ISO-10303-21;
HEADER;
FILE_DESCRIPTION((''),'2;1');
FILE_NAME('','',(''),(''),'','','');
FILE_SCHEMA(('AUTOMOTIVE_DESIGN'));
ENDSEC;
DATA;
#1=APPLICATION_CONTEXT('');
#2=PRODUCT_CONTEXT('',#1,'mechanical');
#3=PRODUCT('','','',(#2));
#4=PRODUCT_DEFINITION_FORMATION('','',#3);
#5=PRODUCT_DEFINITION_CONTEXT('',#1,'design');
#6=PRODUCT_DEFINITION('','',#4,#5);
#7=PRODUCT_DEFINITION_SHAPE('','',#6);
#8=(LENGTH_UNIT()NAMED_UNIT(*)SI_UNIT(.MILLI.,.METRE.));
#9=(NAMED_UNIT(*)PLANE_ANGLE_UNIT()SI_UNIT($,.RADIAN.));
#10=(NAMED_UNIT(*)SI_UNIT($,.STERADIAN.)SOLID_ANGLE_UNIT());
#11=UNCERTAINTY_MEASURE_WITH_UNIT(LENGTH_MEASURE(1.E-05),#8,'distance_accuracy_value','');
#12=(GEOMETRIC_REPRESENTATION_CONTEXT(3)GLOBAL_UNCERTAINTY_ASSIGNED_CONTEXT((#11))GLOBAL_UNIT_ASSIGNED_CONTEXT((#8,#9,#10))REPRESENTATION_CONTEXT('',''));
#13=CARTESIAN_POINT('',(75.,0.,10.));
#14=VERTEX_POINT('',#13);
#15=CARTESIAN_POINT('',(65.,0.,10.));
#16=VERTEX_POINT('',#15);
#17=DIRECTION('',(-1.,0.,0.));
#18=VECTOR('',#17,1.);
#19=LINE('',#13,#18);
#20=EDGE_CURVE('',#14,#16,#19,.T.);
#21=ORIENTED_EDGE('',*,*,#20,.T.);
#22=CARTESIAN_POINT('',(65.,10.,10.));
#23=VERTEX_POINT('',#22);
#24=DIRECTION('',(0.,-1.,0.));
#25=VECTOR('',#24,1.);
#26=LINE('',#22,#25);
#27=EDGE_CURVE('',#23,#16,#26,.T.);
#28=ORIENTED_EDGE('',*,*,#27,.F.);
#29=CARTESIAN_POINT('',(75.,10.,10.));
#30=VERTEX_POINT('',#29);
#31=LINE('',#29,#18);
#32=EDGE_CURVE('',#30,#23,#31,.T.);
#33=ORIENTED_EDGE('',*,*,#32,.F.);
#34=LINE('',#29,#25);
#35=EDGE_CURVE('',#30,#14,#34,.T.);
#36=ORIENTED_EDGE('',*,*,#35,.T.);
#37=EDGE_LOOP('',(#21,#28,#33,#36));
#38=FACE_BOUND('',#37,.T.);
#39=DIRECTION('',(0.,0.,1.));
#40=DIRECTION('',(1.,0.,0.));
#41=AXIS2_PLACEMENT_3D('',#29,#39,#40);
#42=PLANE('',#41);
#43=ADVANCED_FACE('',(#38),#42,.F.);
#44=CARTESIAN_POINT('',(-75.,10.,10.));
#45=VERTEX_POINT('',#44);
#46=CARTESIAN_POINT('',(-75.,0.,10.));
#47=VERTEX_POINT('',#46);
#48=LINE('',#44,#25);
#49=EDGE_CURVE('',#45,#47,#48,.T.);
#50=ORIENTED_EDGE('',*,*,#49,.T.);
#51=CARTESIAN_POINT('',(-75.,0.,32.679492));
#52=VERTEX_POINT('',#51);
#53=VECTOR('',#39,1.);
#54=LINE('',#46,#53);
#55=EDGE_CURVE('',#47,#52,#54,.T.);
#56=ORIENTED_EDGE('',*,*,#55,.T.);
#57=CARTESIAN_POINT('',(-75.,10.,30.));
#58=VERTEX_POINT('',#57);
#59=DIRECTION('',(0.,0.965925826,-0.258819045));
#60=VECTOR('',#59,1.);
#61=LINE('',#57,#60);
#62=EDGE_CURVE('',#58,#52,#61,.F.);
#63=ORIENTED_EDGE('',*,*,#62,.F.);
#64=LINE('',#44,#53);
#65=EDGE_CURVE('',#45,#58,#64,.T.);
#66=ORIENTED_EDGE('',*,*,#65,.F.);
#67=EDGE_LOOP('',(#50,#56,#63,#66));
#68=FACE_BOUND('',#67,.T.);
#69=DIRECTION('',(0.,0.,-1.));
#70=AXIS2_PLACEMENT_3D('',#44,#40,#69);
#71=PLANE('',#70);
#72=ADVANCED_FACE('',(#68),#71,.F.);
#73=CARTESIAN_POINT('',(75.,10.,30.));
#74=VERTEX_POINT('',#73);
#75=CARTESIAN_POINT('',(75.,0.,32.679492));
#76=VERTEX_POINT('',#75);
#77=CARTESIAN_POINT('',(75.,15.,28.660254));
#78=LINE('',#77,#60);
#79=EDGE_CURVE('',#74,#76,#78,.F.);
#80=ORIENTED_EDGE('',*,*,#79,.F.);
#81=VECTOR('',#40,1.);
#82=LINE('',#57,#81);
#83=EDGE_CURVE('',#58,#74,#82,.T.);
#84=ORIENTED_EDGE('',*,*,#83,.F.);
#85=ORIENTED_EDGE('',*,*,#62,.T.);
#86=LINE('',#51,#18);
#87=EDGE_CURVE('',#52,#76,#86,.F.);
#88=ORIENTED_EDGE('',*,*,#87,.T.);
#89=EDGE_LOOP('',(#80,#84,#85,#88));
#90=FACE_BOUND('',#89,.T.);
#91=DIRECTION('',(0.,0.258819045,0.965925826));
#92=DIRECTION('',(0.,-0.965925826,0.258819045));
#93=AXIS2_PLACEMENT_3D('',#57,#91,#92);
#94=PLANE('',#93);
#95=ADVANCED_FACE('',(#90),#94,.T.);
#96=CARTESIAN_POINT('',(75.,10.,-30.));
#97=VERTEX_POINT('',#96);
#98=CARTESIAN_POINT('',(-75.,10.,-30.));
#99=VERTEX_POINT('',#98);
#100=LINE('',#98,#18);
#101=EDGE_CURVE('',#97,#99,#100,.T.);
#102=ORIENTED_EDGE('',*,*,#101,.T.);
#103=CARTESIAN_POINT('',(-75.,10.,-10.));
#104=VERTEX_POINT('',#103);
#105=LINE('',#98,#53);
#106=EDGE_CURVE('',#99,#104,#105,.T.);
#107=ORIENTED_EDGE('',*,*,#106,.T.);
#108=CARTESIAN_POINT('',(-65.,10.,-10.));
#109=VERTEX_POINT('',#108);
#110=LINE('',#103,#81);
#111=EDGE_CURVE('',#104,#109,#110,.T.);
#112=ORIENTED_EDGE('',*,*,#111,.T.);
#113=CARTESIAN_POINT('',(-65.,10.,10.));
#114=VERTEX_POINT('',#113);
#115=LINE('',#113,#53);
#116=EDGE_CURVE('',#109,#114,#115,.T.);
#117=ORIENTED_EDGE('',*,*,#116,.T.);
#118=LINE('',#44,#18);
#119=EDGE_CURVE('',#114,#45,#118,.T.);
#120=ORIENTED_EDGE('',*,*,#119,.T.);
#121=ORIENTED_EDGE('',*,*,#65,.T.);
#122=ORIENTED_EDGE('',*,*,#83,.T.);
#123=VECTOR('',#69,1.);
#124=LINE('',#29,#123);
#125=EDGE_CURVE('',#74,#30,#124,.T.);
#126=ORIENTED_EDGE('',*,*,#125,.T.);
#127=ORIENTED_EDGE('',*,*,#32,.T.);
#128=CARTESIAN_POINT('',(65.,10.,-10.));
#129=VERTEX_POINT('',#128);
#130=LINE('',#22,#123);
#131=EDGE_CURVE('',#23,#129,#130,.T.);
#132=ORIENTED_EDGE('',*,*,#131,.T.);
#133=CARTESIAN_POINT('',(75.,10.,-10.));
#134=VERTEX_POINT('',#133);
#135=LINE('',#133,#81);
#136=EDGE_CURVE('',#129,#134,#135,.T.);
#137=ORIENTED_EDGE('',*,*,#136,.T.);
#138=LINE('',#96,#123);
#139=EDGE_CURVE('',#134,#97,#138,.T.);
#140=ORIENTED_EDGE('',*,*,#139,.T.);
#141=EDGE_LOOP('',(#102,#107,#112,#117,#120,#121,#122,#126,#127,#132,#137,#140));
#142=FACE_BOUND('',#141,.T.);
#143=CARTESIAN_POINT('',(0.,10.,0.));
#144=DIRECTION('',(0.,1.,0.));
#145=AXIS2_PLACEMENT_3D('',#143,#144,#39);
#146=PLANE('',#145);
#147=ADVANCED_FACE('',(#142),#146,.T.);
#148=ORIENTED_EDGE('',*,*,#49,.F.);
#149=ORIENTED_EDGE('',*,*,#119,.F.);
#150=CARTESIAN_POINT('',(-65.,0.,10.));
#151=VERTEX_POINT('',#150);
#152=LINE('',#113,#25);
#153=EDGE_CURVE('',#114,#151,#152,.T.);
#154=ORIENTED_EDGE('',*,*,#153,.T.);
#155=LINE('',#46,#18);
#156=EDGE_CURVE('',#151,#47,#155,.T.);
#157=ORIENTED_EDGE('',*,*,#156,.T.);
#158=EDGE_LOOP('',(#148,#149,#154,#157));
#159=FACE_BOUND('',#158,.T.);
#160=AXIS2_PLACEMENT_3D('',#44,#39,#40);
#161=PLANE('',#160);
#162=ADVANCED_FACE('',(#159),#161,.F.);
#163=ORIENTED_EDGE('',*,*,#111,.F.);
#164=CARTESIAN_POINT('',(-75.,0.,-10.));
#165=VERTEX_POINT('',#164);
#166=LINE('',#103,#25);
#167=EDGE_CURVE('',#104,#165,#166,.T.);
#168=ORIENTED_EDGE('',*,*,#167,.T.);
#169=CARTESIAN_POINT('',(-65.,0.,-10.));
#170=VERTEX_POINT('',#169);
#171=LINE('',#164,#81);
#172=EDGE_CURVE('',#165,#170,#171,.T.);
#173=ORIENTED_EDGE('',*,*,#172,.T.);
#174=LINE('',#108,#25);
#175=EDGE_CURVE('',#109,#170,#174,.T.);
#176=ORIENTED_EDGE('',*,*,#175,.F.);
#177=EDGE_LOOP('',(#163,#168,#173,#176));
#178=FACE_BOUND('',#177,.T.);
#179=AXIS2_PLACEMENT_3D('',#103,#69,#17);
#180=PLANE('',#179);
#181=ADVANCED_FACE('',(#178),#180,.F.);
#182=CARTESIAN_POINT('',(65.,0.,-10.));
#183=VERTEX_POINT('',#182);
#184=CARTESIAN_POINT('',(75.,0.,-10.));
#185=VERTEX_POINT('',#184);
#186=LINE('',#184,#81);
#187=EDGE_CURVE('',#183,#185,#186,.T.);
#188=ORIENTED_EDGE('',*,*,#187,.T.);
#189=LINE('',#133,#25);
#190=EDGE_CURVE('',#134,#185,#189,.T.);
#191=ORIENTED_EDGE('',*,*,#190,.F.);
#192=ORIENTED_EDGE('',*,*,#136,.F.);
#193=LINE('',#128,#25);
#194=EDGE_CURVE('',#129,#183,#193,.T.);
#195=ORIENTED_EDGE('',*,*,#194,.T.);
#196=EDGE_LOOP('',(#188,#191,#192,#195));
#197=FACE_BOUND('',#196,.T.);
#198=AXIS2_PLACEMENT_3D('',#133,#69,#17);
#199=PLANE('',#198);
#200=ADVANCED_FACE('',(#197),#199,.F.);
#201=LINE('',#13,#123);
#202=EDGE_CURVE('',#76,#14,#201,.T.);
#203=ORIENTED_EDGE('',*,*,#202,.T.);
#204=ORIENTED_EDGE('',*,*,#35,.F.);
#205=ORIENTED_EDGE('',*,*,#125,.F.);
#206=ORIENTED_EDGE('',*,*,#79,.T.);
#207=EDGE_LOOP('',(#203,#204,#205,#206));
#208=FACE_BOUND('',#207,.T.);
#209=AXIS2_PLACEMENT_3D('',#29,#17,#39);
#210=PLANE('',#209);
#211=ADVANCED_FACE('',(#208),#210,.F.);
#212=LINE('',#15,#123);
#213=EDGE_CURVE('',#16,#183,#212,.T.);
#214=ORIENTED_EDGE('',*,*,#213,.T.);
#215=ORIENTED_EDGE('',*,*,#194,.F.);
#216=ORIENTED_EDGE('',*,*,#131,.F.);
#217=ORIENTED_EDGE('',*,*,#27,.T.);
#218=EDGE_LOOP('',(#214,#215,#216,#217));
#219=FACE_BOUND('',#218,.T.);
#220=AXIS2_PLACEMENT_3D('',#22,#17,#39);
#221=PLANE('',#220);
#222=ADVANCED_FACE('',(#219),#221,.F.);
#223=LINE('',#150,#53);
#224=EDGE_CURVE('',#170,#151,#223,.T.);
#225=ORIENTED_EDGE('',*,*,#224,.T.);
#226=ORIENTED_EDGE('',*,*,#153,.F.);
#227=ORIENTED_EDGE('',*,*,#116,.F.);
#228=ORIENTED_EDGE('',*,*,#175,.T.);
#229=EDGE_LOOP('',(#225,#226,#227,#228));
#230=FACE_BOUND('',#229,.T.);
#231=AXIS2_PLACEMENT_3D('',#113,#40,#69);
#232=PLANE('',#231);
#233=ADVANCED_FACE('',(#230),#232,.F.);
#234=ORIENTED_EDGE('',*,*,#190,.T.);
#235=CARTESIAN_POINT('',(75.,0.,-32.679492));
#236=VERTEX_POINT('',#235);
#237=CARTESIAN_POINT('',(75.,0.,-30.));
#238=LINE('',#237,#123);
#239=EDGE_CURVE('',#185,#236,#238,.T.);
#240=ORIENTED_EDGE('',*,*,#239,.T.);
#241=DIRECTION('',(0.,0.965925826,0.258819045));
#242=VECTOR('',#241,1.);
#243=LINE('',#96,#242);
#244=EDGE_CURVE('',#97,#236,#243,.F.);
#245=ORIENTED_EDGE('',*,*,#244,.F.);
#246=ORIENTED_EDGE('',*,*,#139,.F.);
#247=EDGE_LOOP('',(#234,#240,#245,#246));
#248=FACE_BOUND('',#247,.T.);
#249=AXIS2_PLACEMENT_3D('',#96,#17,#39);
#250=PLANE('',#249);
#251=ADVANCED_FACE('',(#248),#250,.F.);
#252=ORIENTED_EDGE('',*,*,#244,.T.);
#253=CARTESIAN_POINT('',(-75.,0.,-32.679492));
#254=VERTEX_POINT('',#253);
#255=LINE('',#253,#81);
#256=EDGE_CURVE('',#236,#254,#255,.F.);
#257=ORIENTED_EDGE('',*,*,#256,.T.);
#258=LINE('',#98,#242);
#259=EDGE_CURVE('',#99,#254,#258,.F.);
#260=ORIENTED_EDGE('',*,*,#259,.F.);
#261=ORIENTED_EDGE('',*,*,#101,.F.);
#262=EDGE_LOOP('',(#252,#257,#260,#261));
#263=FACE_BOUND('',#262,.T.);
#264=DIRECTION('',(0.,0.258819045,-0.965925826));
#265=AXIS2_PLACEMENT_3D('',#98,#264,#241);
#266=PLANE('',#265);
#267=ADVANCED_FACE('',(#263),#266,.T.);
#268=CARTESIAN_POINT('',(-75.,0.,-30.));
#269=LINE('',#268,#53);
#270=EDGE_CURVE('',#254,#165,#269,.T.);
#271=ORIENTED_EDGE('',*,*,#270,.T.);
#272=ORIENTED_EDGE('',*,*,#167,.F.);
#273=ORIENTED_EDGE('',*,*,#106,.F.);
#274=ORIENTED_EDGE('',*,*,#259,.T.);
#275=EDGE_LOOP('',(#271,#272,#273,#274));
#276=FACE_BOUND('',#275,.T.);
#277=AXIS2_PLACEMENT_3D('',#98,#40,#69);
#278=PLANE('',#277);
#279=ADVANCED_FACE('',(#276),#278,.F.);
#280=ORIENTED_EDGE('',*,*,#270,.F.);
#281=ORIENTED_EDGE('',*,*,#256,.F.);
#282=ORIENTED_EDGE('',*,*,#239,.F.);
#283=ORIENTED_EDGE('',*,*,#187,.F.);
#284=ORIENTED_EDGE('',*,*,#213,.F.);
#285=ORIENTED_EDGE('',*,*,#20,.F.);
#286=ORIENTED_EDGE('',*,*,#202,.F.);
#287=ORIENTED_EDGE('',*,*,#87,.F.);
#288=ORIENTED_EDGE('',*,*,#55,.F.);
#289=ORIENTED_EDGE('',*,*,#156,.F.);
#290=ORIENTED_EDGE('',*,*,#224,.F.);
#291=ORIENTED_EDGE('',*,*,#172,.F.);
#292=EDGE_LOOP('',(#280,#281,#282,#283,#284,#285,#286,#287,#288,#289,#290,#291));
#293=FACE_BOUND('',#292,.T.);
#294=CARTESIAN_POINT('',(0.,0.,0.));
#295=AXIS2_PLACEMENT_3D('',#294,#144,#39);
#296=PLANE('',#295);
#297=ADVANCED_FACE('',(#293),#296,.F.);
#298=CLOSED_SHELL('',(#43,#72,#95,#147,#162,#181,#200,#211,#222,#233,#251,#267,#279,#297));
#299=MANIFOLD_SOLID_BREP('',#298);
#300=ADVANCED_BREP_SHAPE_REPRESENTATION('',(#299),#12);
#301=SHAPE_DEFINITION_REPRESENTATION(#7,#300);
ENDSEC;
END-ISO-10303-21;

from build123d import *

# Parameters (mm, degrees)
BOSS_EXTRUDE1_DEPTH = 10
DRAFT1_ANGLE        = 15


with BuildPart() as part:
    # Sketch1 → Boss-Extrude1 (new body)
    with BuildSketch(Plane(origin=(0, 0, 0), x_dir=(1, 0, 0), z_dir=(0, 1, 0))):
        Polygon((-75, 30), (75, 30), (75, 10), (65, 10), (65, -10), (75, -10), (75, -30), (-75, -30), (-75, -10), (-65, -10), (-65, 10), (-75, 10), align=None)
    extrude(amount=BOSS_EXTRUDE1_DEPTH)

    # Draft1
    draft1_faces = [part.faces().sort_by_distance(p)[0] for p in [
        (0, 5, 30),
        (0, 5, -30),
    ]]
    draft(draft1_faces, Plane.ZX.offset(10), DRAFT1_ANGLE)


solid = part.part
